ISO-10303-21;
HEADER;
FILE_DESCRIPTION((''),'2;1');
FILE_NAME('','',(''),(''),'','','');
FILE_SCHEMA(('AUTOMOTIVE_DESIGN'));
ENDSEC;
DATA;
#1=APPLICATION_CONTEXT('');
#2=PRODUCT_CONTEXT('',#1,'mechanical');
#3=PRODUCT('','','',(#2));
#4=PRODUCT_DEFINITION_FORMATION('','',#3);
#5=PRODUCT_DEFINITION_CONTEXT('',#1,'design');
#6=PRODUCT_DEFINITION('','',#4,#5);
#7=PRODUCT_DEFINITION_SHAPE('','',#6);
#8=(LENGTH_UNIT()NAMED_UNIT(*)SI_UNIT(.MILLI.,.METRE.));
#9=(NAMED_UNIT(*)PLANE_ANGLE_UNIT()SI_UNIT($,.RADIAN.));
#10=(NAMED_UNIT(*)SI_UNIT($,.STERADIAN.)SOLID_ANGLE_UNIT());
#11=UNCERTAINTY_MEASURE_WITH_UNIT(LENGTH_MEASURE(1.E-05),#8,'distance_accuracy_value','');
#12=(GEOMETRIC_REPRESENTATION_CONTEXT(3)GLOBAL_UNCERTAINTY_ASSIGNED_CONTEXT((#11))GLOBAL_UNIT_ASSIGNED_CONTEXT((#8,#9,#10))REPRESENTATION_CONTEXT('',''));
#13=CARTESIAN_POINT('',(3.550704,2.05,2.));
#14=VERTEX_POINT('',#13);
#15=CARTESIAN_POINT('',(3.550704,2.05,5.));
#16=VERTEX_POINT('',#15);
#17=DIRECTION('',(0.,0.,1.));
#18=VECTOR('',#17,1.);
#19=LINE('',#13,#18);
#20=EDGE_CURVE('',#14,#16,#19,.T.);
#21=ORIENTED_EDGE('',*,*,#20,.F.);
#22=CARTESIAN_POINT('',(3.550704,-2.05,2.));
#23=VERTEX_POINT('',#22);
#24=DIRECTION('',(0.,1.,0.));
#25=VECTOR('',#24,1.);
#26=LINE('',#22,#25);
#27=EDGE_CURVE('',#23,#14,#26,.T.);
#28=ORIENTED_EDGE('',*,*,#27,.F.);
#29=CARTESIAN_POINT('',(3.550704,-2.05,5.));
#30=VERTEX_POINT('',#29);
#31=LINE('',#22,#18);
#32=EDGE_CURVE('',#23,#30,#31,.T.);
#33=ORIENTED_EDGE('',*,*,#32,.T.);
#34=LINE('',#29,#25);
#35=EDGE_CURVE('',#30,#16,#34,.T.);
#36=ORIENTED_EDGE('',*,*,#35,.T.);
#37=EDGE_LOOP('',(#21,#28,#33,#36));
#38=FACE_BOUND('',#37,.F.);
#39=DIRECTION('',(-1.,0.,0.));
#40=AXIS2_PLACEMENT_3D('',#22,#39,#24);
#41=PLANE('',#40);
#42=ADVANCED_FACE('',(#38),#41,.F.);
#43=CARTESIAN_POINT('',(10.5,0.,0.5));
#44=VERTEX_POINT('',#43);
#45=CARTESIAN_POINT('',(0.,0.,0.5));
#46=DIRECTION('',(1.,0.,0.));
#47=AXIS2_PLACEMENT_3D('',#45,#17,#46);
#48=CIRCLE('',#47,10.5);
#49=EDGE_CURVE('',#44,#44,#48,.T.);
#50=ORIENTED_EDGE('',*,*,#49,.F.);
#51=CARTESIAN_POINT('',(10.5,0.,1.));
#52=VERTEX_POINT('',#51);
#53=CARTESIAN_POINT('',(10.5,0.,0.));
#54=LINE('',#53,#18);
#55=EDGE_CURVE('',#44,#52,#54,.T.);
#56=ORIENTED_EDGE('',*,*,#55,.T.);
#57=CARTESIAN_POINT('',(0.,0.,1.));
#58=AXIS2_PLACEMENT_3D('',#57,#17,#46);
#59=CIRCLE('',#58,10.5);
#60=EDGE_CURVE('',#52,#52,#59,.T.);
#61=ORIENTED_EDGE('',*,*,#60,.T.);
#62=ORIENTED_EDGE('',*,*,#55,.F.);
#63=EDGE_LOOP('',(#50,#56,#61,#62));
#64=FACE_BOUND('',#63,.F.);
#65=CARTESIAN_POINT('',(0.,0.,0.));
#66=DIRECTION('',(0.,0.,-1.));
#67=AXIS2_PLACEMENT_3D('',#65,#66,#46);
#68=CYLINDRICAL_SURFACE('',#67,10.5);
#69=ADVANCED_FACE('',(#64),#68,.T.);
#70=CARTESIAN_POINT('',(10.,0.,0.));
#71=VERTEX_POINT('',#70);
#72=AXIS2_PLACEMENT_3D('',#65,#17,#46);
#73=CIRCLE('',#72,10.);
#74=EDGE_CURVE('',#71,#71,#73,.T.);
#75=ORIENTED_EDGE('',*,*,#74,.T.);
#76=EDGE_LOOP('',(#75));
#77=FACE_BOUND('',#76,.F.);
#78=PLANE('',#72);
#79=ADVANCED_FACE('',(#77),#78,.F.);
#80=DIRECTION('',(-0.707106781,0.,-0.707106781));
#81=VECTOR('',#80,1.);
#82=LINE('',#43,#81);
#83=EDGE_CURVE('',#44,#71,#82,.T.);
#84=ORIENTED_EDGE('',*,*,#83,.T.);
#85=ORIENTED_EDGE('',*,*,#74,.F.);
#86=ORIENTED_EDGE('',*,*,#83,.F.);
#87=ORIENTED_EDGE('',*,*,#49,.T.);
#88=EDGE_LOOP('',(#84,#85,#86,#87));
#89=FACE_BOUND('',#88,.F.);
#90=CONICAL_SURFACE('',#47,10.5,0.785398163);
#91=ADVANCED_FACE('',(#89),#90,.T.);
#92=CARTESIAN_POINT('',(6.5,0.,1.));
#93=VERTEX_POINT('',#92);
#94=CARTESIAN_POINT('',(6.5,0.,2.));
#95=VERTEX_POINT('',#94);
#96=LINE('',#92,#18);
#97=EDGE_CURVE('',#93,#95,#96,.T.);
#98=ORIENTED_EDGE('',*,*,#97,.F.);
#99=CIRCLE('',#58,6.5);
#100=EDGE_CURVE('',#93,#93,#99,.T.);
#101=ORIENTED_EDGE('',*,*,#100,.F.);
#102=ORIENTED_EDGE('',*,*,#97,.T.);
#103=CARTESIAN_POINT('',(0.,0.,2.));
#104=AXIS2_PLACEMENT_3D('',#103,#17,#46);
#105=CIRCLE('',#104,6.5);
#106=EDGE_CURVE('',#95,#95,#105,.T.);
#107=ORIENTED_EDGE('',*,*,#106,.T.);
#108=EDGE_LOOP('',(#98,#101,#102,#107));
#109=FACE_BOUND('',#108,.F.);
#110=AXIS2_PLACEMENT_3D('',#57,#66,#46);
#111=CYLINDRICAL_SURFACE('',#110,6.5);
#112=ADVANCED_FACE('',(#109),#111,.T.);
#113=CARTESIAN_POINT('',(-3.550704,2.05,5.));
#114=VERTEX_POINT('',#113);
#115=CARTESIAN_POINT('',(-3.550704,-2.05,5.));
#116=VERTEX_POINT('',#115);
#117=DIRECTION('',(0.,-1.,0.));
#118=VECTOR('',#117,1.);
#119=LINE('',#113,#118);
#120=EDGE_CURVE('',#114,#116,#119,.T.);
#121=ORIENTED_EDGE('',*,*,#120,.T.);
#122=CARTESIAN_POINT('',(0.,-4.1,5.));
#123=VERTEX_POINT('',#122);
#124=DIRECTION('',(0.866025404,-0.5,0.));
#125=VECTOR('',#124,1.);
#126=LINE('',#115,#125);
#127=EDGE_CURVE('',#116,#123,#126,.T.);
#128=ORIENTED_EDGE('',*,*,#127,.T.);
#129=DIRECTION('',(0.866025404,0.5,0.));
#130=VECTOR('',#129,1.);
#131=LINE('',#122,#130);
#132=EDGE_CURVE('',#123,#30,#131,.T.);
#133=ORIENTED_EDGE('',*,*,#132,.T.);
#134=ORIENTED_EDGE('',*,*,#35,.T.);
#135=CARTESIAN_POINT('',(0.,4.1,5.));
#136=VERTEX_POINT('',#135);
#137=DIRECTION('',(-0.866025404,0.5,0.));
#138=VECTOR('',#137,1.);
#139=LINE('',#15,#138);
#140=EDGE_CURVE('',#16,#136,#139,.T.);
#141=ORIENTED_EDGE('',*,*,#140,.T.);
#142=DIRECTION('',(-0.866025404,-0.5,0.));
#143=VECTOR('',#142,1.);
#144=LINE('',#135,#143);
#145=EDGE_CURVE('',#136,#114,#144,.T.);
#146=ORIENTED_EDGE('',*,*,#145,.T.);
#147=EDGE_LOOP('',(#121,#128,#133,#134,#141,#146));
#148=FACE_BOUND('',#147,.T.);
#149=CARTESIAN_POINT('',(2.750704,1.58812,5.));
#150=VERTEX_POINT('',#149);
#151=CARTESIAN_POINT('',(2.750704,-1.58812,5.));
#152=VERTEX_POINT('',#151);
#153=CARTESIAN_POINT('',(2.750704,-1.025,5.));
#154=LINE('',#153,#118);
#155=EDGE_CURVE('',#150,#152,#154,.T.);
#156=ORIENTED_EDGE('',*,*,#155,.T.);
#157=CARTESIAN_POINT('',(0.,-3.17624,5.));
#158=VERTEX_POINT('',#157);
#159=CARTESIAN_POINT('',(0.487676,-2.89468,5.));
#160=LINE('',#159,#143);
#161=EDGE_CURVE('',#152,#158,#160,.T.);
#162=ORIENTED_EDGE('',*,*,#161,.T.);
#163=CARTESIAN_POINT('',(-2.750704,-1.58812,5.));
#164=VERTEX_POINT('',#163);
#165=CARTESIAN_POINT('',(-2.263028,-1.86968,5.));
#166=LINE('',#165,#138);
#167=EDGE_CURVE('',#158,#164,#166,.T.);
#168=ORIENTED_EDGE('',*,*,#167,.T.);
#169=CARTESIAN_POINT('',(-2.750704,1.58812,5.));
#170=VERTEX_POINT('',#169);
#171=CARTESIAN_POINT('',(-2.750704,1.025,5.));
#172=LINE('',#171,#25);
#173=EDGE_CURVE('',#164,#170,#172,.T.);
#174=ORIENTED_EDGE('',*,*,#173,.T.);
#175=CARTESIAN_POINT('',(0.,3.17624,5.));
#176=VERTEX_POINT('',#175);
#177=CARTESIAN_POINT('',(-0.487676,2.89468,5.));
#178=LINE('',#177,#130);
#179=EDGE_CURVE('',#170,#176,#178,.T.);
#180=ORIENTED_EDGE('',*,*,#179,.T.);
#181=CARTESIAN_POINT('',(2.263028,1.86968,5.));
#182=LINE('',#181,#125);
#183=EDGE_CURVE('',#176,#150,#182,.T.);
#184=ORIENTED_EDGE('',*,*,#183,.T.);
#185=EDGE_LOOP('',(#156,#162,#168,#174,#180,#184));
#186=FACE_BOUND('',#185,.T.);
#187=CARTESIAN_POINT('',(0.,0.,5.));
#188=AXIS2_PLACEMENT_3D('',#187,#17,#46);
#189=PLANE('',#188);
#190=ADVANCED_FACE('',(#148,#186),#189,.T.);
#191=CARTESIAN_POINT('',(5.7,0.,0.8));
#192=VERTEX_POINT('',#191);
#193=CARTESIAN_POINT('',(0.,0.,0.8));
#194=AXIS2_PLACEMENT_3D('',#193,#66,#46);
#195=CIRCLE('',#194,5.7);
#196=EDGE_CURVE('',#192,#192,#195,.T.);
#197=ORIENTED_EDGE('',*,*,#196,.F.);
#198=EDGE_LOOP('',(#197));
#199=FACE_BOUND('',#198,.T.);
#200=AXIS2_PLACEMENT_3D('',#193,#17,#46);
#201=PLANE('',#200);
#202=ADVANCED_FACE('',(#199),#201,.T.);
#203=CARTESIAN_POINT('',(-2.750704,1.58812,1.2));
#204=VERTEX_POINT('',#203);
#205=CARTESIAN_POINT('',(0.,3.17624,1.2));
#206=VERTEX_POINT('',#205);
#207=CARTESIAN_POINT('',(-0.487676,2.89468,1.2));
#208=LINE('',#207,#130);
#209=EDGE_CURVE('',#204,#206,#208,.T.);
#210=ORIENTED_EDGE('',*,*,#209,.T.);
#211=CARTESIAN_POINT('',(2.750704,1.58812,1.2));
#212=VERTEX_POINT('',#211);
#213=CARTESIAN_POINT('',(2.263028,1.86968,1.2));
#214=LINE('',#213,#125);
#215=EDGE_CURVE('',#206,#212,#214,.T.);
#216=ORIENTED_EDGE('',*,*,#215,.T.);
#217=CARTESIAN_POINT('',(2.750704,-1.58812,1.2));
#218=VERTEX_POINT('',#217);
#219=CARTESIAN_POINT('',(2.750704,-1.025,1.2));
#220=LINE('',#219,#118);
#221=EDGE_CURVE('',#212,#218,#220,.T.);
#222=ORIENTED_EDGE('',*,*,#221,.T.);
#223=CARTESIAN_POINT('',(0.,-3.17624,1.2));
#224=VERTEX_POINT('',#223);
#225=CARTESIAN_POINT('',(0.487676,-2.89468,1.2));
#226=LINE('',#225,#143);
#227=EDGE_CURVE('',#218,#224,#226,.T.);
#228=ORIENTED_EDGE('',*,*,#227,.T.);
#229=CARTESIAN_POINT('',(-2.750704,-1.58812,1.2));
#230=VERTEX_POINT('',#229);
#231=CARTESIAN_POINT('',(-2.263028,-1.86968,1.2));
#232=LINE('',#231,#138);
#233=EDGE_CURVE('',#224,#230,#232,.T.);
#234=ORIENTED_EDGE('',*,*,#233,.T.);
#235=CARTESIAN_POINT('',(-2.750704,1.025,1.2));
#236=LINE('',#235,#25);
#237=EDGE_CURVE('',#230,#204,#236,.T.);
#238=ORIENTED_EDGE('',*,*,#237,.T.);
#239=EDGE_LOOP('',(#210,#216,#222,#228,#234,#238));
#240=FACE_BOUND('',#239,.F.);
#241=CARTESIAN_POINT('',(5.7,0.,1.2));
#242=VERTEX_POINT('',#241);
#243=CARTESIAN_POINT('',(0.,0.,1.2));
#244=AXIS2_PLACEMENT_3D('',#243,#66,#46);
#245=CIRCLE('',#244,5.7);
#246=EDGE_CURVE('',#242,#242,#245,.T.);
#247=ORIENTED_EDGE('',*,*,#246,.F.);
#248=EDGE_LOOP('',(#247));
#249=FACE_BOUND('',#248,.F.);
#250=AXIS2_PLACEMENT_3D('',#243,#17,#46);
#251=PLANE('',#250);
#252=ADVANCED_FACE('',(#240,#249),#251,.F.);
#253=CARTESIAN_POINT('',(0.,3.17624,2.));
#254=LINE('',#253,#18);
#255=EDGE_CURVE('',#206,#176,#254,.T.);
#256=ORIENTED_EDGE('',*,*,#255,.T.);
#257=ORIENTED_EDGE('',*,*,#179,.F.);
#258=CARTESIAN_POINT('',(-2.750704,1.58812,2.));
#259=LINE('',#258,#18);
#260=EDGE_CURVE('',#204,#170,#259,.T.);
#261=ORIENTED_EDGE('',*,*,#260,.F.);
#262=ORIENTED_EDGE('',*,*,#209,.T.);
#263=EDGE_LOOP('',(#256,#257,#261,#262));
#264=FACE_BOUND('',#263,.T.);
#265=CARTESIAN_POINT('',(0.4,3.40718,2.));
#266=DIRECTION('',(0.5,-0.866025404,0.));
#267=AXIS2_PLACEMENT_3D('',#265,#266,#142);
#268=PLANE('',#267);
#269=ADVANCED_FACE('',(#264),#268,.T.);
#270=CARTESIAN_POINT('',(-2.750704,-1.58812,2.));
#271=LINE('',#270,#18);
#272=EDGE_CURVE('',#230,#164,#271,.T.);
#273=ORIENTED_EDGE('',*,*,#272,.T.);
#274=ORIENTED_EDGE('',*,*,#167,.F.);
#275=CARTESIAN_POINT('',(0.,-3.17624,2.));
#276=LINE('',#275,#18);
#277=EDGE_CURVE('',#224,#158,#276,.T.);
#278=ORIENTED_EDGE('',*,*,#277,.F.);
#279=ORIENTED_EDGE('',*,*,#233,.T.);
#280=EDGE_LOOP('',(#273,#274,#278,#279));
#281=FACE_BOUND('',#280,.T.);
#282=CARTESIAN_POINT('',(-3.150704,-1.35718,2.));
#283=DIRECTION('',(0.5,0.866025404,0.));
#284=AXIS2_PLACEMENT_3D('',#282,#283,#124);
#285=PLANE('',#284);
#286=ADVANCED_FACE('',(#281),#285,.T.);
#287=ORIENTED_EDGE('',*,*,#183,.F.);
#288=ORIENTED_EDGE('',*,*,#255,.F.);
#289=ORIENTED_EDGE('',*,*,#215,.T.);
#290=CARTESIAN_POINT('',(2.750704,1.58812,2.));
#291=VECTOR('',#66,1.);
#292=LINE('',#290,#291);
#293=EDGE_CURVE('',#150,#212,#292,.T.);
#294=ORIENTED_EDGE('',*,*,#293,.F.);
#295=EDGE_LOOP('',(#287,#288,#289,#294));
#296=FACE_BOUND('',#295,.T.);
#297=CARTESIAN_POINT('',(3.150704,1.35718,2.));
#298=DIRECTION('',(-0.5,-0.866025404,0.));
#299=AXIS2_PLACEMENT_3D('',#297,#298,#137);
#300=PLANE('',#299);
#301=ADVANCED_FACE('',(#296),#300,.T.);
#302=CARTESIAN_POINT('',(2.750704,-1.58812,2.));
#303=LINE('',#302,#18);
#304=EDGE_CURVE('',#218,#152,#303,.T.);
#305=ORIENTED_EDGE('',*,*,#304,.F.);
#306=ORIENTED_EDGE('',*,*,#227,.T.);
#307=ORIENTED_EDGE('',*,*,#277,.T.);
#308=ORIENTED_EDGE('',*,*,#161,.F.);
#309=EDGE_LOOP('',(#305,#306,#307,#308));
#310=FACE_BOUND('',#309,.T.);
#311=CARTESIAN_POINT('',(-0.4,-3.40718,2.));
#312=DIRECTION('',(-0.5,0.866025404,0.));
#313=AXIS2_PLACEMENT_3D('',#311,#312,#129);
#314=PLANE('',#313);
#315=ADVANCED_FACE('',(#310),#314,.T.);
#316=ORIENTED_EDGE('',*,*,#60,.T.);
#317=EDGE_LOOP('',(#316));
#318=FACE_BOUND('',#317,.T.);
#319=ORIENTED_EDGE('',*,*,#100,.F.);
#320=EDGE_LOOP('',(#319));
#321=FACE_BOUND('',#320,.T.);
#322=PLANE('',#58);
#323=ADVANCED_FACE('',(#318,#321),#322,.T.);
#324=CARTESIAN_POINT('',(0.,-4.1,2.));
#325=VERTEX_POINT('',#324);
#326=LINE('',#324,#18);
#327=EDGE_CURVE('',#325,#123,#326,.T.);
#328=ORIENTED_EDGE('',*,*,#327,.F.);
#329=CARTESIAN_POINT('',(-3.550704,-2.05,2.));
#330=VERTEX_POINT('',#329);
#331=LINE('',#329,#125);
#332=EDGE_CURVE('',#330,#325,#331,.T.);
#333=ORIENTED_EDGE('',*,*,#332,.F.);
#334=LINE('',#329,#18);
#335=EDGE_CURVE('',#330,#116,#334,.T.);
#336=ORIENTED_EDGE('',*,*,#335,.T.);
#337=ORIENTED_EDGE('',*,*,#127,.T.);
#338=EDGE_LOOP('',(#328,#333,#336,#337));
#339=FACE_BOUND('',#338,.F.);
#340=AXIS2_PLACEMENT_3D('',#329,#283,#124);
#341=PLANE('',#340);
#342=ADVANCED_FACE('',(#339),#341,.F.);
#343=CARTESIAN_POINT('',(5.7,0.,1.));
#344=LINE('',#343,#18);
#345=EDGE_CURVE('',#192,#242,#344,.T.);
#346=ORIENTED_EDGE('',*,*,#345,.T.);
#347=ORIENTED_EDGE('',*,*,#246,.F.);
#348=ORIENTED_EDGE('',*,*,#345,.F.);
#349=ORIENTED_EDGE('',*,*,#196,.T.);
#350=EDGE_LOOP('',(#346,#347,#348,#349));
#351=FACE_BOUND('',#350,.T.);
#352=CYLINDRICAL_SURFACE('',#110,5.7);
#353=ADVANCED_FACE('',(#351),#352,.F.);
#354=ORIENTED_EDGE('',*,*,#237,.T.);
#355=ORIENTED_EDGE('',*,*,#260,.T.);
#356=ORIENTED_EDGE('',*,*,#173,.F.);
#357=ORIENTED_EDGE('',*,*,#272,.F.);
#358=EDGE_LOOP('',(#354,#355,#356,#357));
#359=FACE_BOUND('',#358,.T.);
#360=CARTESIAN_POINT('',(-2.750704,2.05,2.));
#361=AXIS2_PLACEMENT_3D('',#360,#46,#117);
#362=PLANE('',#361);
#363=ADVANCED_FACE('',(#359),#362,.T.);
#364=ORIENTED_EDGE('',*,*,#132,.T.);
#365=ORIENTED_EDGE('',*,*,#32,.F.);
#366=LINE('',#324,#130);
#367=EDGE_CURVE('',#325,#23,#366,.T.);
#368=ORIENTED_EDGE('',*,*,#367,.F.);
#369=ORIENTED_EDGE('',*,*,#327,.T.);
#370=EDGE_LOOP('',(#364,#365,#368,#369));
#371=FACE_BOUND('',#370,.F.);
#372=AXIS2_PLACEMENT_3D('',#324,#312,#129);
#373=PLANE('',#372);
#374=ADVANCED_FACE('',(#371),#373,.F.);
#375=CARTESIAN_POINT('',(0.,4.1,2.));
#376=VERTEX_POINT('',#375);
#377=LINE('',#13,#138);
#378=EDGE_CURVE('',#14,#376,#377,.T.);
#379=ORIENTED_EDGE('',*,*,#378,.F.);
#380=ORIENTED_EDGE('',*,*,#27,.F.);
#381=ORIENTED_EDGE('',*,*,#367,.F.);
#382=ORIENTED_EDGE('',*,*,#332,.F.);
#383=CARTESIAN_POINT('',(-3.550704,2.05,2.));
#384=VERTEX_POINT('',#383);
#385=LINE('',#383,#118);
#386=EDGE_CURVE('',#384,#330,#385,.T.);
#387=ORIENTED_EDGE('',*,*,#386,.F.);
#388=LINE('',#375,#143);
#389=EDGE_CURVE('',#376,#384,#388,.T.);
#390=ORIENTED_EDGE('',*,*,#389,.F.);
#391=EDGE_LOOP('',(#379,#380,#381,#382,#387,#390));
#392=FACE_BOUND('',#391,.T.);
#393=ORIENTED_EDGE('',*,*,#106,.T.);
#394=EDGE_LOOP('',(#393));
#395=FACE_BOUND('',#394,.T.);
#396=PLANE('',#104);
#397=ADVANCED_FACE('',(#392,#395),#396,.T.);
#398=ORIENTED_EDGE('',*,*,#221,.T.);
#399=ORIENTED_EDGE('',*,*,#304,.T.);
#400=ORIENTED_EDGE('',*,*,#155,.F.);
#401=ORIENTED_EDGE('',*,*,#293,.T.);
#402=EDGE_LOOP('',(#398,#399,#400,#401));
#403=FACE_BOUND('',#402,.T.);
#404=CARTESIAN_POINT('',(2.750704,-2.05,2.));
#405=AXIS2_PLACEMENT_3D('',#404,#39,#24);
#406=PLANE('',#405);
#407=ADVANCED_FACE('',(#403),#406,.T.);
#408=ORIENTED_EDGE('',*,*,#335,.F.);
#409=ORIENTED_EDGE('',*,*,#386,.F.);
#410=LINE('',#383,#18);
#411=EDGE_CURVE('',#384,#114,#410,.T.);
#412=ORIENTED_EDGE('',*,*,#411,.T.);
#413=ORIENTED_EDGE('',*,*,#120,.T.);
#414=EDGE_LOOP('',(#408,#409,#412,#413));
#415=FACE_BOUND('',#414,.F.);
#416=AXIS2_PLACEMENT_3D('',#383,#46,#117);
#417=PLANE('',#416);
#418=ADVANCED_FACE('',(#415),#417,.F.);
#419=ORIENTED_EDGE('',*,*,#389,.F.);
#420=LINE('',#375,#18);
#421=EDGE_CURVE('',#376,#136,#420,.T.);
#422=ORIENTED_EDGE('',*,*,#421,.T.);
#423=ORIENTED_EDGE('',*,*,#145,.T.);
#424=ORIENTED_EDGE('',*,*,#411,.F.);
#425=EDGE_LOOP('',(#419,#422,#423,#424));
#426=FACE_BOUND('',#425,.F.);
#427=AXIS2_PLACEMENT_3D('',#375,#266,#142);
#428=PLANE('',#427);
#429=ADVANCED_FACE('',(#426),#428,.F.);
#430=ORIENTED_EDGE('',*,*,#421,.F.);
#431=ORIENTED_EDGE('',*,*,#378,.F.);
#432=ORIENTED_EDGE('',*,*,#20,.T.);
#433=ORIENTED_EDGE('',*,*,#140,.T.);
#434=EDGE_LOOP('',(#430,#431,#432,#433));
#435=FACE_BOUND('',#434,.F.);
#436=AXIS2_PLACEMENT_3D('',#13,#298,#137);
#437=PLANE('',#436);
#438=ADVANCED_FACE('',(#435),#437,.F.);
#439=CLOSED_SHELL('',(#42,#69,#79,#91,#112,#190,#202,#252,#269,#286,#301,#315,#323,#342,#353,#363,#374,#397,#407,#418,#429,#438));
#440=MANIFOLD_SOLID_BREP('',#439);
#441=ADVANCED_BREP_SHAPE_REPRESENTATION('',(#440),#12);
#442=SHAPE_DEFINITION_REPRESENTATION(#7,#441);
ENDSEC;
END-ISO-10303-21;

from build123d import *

# Parameters (mm, degrees)
F0_R     = 10.5
F1_DEPTH = 1
F2_R     = 6.5
F3_DEPTH = 1
F5_DEPTH = 3
F6_T     = -0.8
F7_SIZE  = 0.5


with BuildPart() as f1:
    # F0 (on Top) → F1 (new body)
    with BuildSketch(Plane.XY):
        Circle(F0_R)
    extrude(amount=F1_DEPTH)

    # F2 (on face) → F3 (join)
    with BuildSketch(Plane.XY.offset(1)):
        Circle(F2_R)
    extrude(amount=F3_DEPTH)

    # F4 (on face) → F5 (join)
    with BuildSketch(Plane.XY.offset(2)):
        Polygon((3.5507041555, 2.05), (0, 4.1), (-3.5507041555, 2.05), (-3.5507041555, -2.05), (0, -4.1), (3.5507041555, -2.05), align=None)
    extrude(amount=F5_DEPTH)

    # F6
    f6_openings = [f1.faces().sort_by_distance(p)[0] for p in [
        (0, 0, 5),
    ]]
    offset(amount=F6_T, openings=f6_openings, kind=Kind.INTERSECTION)

    # F7
    f7_edges = [f1.edges().sort_by_distance(p)[0] for p in [
        (-10.5, 0, 0),
    ]]
    chamfer(f7_edges, length=F7_SIZE)


solid = f1.part
